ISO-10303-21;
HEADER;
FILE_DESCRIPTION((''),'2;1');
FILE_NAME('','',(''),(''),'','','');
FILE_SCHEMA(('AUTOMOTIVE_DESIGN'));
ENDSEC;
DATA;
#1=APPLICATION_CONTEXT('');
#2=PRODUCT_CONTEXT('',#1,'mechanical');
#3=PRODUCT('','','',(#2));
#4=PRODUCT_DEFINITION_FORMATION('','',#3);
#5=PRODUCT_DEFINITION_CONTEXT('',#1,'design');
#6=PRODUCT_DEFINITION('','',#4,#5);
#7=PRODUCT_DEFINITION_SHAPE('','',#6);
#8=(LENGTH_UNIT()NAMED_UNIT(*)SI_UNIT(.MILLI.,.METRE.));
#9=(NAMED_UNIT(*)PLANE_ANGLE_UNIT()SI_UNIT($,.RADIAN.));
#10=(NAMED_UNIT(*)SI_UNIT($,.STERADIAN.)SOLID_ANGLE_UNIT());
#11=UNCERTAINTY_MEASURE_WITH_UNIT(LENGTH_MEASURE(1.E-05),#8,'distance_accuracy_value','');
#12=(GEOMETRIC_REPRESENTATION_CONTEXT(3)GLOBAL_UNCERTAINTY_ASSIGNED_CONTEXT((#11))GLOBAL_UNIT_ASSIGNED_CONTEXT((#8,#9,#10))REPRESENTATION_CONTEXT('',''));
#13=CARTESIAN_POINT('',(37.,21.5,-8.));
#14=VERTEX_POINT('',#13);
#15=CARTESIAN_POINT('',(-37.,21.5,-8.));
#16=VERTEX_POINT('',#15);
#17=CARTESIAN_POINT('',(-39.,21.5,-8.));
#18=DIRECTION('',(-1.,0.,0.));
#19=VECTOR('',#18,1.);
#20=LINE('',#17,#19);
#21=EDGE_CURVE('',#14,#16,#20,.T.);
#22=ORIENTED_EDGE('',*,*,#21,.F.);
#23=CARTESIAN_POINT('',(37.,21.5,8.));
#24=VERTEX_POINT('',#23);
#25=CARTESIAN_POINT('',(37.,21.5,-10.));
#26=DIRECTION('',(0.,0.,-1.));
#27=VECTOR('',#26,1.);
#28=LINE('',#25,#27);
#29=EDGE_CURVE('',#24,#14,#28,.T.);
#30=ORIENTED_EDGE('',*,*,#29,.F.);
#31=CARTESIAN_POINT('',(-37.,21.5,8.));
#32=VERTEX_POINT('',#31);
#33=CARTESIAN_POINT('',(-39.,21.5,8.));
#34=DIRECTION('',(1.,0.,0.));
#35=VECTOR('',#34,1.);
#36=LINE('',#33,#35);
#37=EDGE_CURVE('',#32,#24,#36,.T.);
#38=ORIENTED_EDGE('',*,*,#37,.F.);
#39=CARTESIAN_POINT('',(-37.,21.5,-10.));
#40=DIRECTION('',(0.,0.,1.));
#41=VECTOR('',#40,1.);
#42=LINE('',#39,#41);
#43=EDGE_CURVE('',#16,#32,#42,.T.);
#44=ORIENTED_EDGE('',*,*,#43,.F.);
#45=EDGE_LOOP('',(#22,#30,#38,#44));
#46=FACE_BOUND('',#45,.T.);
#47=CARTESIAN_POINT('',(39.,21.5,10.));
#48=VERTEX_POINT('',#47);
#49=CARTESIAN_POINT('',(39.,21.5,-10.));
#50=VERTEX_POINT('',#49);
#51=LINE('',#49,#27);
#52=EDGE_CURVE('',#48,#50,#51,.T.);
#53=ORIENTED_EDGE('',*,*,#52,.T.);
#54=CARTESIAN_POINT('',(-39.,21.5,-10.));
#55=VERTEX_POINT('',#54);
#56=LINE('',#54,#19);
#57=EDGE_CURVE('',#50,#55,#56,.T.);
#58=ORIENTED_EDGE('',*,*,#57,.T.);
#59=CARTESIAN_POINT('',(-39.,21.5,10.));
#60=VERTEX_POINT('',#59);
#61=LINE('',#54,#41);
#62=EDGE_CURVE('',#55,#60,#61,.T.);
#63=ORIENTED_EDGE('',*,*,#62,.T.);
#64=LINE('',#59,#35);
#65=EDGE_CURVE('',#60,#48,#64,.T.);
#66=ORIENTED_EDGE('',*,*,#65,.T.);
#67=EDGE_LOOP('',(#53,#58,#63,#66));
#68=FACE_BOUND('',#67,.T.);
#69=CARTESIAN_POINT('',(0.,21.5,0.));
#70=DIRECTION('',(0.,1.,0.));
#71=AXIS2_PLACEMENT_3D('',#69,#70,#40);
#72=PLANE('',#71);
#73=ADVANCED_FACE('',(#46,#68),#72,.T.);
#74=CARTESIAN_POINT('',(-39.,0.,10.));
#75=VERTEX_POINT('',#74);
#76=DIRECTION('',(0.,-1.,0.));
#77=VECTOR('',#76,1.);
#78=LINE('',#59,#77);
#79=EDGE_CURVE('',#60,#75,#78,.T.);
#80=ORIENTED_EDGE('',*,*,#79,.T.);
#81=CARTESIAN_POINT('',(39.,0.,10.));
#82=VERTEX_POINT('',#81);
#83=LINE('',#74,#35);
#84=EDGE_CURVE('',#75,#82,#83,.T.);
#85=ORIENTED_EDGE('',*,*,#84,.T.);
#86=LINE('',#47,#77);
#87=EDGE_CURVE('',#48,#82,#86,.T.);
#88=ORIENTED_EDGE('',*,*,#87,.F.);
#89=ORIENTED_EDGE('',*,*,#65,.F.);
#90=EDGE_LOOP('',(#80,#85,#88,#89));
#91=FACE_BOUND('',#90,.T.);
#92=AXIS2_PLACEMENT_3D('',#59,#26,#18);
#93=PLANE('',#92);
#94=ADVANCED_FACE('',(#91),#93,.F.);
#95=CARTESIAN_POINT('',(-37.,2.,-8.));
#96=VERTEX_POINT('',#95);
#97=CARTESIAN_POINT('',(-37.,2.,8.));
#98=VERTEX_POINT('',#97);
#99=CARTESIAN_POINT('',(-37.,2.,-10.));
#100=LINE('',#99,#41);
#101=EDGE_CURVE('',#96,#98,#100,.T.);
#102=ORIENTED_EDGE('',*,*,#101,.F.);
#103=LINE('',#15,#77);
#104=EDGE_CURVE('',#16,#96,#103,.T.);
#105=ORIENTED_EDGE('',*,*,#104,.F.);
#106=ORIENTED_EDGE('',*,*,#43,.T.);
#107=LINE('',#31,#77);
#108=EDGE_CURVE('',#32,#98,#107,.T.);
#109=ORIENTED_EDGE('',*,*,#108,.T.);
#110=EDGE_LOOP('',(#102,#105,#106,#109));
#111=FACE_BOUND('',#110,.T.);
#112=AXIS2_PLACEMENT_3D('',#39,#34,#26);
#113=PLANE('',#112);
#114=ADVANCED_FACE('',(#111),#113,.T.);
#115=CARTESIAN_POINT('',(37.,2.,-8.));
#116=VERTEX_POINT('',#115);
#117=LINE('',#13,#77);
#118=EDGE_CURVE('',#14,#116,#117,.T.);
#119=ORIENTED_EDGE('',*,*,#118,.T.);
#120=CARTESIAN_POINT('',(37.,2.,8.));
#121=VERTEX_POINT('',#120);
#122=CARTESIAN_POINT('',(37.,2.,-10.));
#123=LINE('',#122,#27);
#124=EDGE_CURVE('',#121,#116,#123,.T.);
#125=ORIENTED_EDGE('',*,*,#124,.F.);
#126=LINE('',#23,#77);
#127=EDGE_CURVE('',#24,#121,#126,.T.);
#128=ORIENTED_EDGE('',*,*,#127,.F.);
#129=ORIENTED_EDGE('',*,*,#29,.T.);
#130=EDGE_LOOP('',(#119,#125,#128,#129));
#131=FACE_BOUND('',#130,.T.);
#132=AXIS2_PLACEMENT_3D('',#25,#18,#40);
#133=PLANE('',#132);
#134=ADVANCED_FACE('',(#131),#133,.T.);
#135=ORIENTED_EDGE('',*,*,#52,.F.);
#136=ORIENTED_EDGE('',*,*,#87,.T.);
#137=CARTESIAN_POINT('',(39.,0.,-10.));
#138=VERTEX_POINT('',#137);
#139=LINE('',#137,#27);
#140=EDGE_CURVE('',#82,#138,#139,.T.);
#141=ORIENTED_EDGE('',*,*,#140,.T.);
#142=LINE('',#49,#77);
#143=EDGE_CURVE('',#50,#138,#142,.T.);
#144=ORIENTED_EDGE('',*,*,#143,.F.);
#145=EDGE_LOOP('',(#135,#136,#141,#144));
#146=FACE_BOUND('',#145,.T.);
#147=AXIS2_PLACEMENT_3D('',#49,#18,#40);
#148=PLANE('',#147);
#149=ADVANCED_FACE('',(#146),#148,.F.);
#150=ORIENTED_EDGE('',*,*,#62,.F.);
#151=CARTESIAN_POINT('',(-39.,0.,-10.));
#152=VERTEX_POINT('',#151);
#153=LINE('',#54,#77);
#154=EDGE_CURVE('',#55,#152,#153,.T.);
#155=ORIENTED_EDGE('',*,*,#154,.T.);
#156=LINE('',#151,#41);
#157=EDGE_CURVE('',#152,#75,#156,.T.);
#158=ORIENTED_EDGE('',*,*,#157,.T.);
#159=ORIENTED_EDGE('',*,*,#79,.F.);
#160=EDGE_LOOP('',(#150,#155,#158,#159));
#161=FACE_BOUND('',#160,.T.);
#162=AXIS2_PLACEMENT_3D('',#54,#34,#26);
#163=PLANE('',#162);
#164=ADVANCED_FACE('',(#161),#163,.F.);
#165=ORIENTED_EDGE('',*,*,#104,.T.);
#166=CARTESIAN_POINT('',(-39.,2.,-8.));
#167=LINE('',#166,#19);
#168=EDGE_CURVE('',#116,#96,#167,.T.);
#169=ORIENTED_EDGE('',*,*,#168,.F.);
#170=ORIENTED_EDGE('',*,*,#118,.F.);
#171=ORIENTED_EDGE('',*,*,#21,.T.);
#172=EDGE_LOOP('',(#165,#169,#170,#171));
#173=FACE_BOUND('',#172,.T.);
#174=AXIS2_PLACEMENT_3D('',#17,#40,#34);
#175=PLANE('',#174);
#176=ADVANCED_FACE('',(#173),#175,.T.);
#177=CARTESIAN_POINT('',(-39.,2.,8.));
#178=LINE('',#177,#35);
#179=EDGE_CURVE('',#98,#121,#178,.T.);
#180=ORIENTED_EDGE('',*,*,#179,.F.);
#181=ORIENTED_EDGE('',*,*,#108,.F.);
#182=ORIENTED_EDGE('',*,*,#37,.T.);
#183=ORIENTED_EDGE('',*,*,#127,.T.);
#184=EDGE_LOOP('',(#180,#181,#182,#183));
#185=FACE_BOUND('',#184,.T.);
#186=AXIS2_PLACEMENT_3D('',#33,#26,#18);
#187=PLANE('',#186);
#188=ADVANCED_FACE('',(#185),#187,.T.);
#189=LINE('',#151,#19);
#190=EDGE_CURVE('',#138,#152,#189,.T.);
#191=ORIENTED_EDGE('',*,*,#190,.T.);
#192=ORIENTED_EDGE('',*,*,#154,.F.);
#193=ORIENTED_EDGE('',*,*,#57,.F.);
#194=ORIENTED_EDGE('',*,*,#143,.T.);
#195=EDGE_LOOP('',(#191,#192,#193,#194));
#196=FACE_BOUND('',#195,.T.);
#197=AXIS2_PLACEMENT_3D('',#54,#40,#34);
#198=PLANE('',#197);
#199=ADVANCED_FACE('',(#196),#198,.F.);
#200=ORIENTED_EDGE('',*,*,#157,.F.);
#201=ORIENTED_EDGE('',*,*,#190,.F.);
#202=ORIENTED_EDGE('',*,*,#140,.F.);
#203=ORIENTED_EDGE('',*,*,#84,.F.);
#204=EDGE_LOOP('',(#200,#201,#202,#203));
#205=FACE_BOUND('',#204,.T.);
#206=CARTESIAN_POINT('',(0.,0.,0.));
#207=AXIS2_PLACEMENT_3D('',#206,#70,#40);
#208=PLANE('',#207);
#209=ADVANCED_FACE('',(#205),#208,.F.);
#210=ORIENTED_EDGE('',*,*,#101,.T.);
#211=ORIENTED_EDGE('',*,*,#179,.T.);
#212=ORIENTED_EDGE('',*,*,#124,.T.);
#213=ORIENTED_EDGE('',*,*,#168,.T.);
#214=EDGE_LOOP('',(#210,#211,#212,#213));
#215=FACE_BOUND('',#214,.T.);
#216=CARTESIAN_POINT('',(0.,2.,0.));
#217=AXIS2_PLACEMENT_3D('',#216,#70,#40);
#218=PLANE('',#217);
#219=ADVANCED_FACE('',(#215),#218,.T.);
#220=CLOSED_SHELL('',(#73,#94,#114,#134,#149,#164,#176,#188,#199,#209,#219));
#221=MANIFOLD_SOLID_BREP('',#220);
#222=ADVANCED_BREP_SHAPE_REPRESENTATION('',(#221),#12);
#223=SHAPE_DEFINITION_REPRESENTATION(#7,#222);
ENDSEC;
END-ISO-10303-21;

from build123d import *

# Parameters (mm, degrees)
SKETCH_1_W      = 78
SKETCH_1_H      = 20
EXTRUDE_1_DEPTH = 21.5
SHELL_1_T       = -2


with BuildPart() as part:
    # Эскиз1 → Бобышка-Вытянуть1 (new body)
    with BuildSketch(Plane(origin=(0, 0, 0), x_dir=(1, 0, 0), z_dir=(0, 1, 0))):
        Rectangle(SKETCH_1_W, SKETCH_1_H)
    extrude(amount=EXTRUDE_1_DEPTH)

    # Оболочка1
    shell_1_openings = [part.faces().sort_by_distance(p)[0] for p in [
        (0, 21.5, 0),
    ]]
    offset(amount=SHELL_1_T, openings=shell_1_openings, kind=Kind.INTERSECTION)


solid = part.part
